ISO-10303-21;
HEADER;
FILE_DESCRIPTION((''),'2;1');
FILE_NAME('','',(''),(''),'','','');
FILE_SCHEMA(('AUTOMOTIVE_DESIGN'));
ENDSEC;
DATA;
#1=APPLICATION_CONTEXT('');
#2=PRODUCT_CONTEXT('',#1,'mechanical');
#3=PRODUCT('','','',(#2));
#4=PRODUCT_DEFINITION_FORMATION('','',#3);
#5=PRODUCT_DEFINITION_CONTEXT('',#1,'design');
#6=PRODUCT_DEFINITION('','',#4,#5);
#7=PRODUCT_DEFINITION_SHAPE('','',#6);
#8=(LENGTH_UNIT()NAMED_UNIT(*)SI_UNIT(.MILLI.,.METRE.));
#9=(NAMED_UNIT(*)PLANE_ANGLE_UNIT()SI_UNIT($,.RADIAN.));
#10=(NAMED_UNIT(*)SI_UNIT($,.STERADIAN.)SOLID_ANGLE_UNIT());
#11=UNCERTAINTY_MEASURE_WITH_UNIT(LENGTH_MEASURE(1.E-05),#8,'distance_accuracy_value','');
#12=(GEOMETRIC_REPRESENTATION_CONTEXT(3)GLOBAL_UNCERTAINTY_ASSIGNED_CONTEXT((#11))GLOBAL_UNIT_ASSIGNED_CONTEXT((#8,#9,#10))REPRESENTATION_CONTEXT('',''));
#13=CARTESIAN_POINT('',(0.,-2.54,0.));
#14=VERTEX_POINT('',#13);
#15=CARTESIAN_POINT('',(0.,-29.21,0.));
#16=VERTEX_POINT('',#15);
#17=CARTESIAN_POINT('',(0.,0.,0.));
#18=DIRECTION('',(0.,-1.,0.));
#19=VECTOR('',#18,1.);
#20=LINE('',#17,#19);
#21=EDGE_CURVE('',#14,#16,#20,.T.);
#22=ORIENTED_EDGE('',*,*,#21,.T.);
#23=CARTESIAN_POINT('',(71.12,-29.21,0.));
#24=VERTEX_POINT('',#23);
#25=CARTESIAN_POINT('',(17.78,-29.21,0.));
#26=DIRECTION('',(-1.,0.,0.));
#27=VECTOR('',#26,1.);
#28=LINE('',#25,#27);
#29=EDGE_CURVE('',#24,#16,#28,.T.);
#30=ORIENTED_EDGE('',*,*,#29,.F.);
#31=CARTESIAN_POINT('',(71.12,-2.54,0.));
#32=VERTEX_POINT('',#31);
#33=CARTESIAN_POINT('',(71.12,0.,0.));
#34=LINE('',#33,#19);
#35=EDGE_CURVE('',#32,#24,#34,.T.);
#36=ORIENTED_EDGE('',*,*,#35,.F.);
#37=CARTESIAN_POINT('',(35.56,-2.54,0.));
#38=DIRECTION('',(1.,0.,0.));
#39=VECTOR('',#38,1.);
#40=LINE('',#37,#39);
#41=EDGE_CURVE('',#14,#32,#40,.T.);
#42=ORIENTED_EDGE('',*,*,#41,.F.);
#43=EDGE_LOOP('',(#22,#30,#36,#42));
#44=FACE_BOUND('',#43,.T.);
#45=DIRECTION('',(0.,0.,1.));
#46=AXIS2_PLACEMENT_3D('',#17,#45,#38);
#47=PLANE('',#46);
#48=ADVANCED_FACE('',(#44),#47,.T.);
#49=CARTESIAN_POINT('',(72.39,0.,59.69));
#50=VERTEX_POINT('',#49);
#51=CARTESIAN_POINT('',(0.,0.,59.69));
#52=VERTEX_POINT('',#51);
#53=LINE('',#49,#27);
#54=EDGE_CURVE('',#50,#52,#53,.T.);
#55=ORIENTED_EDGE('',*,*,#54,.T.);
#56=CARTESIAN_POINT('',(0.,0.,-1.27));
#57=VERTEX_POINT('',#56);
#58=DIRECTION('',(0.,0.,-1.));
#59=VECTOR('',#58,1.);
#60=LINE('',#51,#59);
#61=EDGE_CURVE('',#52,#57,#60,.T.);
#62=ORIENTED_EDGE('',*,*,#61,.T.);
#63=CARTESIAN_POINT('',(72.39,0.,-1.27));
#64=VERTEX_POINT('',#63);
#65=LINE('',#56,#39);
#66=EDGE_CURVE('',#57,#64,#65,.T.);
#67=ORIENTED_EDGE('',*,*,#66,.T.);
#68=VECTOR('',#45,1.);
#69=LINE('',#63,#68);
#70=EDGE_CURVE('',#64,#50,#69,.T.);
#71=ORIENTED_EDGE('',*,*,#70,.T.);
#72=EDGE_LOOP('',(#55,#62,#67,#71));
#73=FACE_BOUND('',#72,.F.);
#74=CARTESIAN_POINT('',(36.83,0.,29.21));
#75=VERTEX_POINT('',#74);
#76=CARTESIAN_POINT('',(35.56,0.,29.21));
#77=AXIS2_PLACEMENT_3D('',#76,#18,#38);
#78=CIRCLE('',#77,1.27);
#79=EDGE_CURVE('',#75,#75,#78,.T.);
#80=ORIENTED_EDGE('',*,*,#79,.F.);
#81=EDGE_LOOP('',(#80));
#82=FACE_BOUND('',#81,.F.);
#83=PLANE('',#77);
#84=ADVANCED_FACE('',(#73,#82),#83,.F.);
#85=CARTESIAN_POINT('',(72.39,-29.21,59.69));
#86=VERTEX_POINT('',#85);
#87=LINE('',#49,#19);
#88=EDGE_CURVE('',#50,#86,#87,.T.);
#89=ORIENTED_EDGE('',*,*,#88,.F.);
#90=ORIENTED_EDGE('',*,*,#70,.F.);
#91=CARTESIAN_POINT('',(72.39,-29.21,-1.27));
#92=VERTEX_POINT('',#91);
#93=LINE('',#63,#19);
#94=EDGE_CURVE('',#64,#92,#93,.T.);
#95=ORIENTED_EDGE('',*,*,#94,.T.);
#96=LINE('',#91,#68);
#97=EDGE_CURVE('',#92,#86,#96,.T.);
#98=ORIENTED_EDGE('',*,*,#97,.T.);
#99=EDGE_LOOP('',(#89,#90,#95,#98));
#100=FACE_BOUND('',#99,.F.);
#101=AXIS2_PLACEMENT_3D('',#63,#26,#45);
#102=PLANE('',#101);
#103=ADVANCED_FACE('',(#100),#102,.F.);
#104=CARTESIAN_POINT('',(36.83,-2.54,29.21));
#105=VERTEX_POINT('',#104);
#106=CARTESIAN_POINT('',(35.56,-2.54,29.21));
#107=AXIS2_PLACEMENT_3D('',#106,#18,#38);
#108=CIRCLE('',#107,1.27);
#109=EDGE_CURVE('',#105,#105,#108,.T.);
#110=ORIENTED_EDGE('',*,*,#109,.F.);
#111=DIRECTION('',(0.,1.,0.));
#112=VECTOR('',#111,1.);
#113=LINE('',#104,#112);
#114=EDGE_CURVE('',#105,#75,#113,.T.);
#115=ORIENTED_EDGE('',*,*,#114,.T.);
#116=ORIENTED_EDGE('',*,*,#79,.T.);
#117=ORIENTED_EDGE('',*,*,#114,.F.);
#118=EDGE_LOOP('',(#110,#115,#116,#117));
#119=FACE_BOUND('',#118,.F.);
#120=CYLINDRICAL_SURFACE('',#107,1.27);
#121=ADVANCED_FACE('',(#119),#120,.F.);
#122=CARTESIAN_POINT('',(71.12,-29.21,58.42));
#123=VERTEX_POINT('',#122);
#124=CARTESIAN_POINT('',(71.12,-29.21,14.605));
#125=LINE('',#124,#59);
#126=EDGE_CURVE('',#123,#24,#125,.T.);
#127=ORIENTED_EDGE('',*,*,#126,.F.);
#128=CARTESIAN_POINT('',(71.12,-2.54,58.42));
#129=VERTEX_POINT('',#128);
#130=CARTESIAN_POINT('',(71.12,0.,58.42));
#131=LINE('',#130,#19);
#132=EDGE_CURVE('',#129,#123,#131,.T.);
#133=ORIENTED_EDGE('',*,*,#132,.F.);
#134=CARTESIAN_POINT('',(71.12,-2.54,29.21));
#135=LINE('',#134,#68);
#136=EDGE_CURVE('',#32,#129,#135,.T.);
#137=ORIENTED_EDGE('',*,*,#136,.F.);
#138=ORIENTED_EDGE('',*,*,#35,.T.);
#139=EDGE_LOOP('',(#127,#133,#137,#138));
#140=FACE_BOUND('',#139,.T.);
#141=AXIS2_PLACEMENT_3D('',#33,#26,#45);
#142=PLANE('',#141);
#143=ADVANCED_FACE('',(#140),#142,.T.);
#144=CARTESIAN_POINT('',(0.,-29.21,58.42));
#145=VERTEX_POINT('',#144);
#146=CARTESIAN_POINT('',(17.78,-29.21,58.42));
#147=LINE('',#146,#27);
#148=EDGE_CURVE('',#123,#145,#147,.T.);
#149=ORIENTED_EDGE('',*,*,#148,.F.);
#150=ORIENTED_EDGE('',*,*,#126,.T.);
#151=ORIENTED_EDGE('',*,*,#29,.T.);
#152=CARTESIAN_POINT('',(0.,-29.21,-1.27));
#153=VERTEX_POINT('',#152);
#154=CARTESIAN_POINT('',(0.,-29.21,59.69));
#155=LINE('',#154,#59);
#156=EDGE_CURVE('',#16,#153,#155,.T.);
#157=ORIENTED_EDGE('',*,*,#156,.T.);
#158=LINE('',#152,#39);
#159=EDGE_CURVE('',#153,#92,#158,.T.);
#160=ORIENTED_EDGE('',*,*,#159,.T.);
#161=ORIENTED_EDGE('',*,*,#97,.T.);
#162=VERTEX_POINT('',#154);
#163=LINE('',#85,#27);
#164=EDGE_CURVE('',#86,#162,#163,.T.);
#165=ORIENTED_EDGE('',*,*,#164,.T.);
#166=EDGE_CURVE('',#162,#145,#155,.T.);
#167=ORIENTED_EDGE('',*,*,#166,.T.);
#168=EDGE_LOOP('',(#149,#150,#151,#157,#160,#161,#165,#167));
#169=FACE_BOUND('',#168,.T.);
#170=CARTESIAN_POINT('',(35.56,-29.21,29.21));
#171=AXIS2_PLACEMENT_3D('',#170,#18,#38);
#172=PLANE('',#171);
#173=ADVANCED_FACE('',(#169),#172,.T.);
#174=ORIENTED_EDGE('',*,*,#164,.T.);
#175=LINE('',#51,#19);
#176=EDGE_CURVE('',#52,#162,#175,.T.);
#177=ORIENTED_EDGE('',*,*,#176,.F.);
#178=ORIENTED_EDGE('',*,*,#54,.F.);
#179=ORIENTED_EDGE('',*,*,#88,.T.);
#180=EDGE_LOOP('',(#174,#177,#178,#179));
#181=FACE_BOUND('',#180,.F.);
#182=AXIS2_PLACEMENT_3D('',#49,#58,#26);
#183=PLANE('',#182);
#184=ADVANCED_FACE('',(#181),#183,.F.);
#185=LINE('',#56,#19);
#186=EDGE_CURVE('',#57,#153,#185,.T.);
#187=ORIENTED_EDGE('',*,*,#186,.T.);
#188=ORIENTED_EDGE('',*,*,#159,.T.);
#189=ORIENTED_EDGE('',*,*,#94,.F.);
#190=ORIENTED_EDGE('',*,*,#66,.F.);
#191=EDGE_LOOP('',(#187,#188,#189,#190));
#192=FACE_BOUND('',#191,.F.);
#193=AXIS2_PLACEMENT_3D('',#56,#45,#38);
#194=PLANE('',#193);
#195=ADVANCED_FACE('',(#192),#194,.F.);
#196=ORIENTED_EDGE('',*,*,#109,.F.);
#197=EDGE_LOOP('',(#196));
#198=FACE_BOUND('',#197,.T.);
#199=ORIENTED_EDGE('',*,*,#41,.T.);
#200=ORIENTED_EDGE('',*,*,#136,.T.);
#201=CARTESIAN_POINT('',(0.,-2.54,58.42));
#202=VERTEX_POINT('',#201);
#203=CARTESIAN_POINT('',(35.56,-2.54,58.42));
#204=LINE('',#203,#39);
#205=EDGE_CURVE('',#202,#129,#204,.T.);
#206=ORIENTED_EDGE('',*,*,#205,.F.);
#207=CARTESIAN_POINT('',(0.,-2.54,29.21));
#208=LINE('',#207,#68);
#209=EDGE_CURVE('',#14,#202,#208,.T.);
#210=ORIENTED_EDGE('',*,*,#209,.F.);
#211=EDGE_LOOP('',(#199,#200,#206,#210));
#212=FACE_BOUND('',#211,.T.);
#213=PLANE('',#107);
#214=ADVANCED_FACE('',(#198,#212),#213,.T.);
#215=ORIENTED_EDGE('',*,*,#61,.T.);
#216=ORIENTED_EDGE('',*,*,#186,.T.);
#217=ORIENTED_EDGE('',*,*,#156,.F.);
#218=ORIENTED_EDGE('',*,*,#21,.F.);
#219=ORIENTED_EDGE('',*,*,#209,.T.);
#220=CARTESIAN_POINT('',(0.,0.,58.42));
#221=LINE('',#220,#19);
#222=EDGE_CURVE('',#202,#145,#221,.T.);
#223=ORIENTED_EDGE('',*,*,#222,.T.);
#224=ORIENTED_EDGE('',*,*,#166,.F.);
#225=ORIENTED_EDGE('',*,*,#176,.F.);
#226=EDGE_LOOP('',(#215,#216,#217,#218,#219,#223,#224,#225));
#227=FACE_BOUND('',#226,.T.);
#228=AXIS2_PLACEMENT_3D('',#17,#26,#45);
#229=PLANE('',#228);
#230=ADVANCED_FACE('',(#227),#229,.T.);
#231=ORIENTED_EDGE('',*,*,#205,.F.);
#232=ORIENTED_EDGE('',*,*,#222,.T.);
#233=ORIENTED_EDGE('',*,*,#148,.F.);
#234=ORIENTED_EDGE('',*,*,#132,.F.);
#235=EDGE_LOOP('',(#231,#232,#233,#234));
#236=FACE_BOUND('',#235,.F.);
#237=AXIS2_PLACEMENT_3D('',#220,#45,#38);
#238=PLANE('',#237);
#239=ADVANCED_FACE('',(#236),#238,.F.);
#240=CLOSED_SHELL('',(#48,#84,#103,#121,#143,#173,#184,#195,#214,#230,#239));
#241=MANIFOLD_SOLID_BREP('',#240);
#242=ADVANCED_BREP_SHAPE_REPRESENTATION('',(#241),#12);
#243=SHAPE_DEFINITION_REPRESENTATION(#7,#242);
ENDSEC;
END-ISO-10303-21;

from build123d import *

# Parameters (mm, degrees)
F0_W     = 71.12
F0_H     = 58.42
F0_H_2   = 1.27
F1_DEPTH = 29.21
F2_DEPTH = 29.211
F3_DEPTH = 2.54
F4_R     = 1.27
F5_DEPTH = 2.541


with BuildPart() as f1:
    # F0 (on Front) → F1 (new body)
    with BuildSketch(Plane.XZ):
        with Locations((35.56, 29.21)):
            Rectangle(F0_W, F0_H)
        with Locations((35.56, -0.635)):
            Rectangle(F0_W, F0_H_2)
        Polygon((71.12, 58.42), (71.12, 0), (71.12, -1.27), (72.39, -1.27), (72.39, 59.69), (71.12, 59.69), align=None)
        with Locations((35.56, 59.055)):
            Rectangle(F0_W, F0_H_2)
    extrude(amount=F1_DEPTH)

    # F0 (on Front) → F2 (cut, through all)
    with BuildSketch(Plane.XZ):
        with Locations((35.56, 29.21)):
            Rectangle(F0_W, F0_H)
    extrude(amount=F2_DEPTH, mode=Mode.SUBTRACT)

    # F0 (on Front) → F3 (join)
    with BuildSketch(Plane.XZ):
        with Locations((35.56, 29.21)):
            Rectangle(F0_W, F0_H)
    extrude(amount=F3_DEPTH)

    # F4 (on face) → F5 (cut, through all)
    with BuildSketch(Plane.XZ.offset(2.54)):
        with Locations((35.56, 29.21)):
            Circle(F4_R)
    extrude(amount=-F5_DEPTH, mode=Mode.SUBTRACT)


solid = f1.part
